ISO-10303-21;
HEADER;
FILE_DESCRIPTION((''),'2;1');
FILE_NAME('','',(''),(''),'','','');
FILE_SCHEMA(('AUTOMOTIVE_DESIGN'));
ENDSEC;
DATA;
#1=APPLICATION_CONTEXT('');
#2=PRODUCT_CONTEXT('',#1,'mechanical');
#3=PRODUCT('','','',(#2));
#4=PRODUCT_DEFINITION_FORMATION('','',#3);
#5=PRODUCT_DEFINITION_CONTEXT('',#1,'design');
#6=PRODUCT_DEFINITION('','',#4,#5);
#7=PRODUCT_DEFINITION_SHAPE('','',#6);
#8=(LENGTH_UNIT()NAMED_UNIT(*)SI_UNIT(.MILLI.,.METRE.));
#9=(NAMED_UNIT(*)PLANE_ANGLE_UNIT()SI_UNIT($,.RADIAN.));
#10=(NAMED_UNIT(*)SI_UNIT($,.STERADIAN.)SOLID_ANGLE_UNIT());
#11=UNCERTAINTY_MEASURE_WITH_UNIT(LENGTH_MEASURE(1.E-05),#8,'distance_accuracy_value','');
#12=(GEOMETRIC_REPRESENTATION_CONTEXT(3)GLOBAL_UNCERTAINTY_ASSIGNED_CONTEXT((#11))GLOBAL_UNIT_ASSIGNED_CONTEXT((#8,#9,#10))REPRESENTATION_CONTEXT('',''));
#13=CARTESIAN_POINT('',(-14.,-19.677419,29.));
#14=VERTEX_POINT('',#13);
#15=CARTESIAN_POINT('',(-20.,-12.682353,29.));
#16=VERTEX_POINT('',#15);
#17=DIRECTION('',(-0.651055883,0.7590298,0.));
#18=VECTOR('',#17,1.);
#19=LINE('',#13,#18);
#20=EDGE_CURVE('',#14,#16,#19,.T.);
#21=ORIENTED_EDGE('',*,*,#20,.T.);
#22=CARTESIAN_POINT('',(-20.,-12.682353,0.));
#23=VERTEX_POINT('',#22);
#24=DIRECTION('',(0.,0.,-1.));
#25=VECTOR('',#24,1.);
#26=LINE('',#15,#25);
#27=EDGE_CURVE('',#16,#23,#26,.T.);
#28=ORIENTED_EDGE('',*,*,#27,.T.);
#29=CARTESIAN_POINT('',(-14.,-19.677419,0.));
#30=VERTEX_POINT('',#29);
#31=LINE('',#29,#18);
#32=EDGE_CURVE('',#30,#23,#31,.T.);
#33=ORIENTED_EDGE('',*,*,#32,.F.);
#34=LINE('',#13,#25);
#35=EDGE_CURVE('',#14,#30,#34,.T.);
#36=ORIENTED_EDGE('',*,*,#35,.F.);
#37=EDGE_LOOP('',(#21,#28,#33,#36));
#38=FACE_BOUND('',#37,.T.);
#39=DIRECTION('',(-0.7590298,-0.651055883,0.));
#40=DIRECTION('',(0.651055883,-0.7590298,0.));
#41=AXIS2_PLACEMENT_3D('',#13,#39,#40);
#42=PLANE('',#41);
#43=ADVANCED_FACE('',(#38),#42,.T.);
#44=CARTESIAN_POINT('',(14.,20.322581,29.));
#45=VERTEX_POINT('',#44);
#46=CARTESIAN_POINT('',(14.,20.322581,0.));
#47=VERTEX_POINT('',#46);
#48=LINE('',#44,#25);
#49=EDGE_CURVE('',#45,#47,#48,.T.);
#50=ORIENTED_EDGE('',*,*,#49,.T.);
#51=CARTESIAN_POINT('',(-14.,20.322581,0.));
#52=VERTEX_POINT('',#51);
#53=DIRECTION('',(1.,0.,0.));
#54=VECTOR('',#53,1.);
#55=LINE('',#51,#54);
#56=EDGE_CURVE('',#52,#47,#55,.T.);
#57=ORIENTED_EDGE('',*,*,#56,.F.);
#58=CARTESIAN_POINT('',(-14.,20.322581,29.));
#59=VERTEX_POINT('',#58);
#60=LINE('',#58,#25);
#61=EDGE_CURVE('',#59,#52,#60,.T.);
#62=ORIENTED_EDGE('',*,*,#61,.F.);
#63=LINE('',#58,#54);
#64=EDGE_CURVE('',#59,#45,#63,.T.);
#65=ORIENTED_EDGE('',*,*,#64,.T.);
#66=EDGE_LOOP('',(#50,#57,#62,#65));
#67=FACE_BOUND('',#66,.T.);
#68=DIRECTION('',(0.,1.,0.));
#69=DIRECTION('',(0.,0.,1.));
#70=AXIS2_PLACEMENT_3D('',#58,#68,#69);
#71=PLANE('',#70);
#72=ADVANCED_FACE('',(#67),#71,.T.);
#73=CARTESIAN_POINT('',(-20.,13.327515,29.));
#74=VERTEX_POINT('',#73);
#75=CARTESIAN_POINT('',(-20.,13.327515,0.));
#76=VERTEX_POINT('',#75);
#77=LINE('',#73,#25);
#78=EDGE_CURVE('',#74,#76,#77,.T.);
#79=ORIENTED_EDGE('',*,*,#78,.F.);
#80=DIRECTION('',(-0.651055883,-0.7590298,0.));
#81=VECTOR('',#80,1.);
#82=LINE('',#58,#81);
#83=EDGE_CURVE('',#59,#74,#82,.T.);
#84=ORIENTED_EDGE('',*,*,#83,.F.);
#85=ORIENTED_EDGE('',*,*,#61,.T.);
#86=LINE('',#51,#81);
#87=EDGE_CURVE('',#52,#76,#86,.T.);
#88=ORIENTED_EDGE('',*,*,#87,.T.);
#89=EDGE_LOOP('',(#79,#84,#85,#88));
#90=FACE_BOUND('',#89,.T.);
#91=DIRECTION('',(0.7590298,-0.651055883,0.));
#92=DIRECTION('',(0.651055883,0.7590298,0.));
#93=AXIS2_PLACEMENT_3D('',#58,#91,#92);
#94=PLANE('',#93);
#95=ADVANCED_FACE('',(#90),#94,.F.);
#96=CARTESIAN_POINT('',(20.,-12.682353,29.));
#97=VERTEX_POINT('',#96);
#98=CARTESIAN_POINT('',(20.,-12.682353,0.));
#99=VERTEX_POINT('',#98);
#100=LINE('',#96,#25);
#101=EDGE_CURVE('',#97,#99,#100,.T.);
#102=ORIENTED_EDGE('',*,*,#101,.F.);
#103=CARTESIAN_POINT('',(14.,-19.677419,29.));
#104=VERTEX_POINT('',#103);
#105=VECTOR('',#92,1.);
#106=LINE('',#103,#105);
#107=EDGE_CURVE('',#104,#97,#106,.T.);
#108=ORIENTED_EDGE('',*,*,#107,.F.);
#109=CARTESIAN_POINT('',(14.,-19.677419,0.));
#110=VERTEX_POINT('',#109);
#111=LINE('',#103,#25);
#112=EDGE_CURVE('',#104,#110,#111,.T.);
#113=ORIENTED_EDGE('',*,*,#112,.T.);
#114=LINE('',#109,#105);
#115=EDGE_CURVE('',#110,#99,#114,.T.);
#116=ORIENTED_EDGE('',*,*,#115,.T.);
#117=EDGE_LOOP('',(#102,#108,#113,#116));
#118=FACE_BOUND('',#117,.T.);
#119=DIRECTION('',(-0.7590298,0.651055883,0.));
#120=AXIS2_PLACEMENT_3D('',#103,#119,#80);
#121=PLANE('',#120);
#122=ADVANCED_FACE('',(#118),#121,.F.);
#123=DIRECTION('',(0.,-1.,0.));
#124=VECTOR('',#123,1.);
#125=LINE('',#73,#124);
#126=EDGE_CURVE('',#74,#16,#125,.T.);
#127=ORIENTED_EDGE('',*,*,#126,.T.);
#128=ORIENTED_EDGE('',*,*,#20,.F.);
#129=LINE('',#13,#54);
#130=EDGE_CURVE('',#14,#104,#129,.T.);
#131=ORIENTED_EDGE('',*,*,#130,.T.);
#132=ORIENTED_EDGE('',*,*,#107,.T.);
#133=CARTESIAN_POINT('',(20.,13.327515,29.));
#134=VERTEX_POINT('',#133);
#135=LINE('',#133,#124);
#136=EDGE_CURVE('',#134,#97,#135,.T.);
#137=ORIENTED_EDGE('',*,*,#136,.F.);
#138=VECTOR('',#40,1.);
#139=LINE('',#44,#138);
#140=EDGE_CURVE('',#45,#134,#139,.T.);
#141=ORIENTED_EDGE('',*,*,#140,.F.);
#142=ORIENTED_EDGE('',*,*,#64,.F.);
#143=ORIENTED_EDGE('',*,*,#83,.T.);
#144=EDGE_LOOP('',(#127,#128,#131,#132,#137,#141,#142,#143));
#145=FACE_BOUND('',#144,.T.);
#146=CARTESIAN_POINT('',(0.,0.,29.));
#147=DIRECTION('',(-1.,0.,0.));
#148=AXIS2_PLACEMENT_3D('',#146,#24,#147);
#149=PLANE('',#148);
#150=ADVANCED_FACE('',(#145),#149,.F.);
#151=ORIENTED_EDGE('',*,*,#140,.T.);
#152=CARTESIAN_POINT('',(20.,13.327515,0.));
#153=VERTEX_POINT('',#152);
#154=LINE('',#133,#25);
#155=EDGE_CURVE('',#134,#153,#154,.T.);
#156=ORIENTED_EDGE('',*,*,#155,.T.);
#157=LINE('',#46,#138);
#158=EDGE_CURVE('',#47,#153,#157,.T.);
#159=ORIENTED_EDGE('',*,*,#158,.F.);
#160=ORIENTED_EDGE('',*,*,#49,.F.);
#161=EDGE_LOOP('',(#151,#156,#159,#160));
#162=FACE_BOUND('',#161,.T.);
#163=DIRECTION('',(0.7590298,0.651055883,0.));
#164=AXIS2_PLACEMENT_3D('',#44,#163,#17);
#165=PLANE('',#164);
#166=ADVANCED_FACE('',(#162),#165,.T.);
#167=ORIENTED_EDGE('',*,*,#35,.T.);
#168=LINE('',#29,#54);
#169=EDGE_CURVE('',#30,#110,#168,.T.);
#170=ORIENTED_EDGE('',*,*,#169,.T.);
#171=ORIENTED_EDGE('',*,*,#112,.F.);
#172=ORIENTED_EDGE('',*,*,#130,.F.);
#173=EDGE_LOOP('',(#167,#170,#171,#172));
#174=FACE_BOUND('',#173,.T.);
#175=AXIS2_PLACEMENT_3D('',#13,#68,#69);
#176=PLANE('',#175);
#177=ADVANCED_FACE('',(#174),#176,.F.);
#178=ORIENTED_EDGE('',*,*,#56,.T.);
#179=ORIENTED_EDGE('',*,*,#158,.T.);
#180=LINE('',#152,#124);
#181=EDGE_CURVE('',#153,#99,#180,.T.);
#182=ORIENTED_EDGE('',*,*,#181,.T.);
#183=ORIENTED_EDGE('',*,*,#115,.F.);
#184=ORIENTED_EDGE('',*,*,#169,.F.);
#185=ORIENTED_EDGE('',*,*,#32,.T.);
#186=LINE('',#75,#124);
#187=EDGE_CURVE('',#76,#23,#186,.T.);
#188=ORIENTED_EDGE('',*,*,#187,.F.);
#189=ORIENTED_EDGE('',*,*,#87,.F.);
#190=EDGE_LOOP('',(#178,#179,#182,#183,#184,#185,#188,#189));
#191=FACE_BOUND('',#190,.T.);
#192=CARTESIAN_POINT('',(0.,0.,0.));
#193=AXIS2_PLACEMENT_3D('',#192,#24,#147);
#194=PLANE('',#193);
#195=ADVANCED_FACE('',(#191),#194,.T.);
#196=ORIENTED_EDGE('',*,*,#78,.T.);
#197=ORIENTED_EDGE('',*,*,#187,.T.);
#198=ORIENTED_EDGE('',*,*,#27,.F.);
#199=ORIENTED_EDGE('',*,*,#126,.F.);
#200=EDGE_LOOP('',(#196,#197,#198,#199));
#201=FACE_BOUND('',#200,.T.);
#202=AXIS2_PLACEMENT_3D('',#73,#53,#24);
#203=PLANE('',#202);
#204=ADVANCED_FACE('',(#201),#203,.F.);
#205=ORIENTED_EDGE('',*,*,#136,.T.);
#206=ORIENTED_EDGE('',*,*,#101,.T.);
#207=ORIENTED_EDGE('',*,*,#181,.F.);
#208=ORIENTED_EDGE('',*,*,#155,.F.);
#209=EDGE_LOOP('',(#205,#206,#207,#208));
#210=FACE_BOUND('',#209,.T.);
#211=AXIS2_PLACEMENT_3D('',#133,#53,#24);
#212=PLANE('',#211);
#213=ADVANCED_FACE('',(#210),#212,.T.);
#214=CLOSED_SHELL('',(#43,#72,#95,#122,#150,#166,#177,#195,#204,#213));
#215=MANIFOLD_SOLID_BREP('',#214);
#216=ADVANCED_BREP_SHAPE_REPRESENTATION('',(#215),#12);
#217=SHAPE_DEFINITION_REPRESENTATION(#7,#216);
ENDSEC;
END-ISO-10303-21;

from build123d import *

# Parameters (mm, degrees)
SALIENTE_EXTRUIR1_DEPTH = 29


with BuildPart() as part:
    # Croquis2 → Saliente-Extruir1 (new body)
    with BuildSketch(Plane.XY):
        Polygon((-14, 20.322580645), (14, 20.322580645), (20, 13.327514754), (20, -12.682353464), (14, -19.677419355), (-14, -19.677419355), (-20, -12.682353464), (-20, 13.327514754), align=None)
    extrude(amount=SALIENTE_EXTRUIR1_DEPTH)


solid = part.part
